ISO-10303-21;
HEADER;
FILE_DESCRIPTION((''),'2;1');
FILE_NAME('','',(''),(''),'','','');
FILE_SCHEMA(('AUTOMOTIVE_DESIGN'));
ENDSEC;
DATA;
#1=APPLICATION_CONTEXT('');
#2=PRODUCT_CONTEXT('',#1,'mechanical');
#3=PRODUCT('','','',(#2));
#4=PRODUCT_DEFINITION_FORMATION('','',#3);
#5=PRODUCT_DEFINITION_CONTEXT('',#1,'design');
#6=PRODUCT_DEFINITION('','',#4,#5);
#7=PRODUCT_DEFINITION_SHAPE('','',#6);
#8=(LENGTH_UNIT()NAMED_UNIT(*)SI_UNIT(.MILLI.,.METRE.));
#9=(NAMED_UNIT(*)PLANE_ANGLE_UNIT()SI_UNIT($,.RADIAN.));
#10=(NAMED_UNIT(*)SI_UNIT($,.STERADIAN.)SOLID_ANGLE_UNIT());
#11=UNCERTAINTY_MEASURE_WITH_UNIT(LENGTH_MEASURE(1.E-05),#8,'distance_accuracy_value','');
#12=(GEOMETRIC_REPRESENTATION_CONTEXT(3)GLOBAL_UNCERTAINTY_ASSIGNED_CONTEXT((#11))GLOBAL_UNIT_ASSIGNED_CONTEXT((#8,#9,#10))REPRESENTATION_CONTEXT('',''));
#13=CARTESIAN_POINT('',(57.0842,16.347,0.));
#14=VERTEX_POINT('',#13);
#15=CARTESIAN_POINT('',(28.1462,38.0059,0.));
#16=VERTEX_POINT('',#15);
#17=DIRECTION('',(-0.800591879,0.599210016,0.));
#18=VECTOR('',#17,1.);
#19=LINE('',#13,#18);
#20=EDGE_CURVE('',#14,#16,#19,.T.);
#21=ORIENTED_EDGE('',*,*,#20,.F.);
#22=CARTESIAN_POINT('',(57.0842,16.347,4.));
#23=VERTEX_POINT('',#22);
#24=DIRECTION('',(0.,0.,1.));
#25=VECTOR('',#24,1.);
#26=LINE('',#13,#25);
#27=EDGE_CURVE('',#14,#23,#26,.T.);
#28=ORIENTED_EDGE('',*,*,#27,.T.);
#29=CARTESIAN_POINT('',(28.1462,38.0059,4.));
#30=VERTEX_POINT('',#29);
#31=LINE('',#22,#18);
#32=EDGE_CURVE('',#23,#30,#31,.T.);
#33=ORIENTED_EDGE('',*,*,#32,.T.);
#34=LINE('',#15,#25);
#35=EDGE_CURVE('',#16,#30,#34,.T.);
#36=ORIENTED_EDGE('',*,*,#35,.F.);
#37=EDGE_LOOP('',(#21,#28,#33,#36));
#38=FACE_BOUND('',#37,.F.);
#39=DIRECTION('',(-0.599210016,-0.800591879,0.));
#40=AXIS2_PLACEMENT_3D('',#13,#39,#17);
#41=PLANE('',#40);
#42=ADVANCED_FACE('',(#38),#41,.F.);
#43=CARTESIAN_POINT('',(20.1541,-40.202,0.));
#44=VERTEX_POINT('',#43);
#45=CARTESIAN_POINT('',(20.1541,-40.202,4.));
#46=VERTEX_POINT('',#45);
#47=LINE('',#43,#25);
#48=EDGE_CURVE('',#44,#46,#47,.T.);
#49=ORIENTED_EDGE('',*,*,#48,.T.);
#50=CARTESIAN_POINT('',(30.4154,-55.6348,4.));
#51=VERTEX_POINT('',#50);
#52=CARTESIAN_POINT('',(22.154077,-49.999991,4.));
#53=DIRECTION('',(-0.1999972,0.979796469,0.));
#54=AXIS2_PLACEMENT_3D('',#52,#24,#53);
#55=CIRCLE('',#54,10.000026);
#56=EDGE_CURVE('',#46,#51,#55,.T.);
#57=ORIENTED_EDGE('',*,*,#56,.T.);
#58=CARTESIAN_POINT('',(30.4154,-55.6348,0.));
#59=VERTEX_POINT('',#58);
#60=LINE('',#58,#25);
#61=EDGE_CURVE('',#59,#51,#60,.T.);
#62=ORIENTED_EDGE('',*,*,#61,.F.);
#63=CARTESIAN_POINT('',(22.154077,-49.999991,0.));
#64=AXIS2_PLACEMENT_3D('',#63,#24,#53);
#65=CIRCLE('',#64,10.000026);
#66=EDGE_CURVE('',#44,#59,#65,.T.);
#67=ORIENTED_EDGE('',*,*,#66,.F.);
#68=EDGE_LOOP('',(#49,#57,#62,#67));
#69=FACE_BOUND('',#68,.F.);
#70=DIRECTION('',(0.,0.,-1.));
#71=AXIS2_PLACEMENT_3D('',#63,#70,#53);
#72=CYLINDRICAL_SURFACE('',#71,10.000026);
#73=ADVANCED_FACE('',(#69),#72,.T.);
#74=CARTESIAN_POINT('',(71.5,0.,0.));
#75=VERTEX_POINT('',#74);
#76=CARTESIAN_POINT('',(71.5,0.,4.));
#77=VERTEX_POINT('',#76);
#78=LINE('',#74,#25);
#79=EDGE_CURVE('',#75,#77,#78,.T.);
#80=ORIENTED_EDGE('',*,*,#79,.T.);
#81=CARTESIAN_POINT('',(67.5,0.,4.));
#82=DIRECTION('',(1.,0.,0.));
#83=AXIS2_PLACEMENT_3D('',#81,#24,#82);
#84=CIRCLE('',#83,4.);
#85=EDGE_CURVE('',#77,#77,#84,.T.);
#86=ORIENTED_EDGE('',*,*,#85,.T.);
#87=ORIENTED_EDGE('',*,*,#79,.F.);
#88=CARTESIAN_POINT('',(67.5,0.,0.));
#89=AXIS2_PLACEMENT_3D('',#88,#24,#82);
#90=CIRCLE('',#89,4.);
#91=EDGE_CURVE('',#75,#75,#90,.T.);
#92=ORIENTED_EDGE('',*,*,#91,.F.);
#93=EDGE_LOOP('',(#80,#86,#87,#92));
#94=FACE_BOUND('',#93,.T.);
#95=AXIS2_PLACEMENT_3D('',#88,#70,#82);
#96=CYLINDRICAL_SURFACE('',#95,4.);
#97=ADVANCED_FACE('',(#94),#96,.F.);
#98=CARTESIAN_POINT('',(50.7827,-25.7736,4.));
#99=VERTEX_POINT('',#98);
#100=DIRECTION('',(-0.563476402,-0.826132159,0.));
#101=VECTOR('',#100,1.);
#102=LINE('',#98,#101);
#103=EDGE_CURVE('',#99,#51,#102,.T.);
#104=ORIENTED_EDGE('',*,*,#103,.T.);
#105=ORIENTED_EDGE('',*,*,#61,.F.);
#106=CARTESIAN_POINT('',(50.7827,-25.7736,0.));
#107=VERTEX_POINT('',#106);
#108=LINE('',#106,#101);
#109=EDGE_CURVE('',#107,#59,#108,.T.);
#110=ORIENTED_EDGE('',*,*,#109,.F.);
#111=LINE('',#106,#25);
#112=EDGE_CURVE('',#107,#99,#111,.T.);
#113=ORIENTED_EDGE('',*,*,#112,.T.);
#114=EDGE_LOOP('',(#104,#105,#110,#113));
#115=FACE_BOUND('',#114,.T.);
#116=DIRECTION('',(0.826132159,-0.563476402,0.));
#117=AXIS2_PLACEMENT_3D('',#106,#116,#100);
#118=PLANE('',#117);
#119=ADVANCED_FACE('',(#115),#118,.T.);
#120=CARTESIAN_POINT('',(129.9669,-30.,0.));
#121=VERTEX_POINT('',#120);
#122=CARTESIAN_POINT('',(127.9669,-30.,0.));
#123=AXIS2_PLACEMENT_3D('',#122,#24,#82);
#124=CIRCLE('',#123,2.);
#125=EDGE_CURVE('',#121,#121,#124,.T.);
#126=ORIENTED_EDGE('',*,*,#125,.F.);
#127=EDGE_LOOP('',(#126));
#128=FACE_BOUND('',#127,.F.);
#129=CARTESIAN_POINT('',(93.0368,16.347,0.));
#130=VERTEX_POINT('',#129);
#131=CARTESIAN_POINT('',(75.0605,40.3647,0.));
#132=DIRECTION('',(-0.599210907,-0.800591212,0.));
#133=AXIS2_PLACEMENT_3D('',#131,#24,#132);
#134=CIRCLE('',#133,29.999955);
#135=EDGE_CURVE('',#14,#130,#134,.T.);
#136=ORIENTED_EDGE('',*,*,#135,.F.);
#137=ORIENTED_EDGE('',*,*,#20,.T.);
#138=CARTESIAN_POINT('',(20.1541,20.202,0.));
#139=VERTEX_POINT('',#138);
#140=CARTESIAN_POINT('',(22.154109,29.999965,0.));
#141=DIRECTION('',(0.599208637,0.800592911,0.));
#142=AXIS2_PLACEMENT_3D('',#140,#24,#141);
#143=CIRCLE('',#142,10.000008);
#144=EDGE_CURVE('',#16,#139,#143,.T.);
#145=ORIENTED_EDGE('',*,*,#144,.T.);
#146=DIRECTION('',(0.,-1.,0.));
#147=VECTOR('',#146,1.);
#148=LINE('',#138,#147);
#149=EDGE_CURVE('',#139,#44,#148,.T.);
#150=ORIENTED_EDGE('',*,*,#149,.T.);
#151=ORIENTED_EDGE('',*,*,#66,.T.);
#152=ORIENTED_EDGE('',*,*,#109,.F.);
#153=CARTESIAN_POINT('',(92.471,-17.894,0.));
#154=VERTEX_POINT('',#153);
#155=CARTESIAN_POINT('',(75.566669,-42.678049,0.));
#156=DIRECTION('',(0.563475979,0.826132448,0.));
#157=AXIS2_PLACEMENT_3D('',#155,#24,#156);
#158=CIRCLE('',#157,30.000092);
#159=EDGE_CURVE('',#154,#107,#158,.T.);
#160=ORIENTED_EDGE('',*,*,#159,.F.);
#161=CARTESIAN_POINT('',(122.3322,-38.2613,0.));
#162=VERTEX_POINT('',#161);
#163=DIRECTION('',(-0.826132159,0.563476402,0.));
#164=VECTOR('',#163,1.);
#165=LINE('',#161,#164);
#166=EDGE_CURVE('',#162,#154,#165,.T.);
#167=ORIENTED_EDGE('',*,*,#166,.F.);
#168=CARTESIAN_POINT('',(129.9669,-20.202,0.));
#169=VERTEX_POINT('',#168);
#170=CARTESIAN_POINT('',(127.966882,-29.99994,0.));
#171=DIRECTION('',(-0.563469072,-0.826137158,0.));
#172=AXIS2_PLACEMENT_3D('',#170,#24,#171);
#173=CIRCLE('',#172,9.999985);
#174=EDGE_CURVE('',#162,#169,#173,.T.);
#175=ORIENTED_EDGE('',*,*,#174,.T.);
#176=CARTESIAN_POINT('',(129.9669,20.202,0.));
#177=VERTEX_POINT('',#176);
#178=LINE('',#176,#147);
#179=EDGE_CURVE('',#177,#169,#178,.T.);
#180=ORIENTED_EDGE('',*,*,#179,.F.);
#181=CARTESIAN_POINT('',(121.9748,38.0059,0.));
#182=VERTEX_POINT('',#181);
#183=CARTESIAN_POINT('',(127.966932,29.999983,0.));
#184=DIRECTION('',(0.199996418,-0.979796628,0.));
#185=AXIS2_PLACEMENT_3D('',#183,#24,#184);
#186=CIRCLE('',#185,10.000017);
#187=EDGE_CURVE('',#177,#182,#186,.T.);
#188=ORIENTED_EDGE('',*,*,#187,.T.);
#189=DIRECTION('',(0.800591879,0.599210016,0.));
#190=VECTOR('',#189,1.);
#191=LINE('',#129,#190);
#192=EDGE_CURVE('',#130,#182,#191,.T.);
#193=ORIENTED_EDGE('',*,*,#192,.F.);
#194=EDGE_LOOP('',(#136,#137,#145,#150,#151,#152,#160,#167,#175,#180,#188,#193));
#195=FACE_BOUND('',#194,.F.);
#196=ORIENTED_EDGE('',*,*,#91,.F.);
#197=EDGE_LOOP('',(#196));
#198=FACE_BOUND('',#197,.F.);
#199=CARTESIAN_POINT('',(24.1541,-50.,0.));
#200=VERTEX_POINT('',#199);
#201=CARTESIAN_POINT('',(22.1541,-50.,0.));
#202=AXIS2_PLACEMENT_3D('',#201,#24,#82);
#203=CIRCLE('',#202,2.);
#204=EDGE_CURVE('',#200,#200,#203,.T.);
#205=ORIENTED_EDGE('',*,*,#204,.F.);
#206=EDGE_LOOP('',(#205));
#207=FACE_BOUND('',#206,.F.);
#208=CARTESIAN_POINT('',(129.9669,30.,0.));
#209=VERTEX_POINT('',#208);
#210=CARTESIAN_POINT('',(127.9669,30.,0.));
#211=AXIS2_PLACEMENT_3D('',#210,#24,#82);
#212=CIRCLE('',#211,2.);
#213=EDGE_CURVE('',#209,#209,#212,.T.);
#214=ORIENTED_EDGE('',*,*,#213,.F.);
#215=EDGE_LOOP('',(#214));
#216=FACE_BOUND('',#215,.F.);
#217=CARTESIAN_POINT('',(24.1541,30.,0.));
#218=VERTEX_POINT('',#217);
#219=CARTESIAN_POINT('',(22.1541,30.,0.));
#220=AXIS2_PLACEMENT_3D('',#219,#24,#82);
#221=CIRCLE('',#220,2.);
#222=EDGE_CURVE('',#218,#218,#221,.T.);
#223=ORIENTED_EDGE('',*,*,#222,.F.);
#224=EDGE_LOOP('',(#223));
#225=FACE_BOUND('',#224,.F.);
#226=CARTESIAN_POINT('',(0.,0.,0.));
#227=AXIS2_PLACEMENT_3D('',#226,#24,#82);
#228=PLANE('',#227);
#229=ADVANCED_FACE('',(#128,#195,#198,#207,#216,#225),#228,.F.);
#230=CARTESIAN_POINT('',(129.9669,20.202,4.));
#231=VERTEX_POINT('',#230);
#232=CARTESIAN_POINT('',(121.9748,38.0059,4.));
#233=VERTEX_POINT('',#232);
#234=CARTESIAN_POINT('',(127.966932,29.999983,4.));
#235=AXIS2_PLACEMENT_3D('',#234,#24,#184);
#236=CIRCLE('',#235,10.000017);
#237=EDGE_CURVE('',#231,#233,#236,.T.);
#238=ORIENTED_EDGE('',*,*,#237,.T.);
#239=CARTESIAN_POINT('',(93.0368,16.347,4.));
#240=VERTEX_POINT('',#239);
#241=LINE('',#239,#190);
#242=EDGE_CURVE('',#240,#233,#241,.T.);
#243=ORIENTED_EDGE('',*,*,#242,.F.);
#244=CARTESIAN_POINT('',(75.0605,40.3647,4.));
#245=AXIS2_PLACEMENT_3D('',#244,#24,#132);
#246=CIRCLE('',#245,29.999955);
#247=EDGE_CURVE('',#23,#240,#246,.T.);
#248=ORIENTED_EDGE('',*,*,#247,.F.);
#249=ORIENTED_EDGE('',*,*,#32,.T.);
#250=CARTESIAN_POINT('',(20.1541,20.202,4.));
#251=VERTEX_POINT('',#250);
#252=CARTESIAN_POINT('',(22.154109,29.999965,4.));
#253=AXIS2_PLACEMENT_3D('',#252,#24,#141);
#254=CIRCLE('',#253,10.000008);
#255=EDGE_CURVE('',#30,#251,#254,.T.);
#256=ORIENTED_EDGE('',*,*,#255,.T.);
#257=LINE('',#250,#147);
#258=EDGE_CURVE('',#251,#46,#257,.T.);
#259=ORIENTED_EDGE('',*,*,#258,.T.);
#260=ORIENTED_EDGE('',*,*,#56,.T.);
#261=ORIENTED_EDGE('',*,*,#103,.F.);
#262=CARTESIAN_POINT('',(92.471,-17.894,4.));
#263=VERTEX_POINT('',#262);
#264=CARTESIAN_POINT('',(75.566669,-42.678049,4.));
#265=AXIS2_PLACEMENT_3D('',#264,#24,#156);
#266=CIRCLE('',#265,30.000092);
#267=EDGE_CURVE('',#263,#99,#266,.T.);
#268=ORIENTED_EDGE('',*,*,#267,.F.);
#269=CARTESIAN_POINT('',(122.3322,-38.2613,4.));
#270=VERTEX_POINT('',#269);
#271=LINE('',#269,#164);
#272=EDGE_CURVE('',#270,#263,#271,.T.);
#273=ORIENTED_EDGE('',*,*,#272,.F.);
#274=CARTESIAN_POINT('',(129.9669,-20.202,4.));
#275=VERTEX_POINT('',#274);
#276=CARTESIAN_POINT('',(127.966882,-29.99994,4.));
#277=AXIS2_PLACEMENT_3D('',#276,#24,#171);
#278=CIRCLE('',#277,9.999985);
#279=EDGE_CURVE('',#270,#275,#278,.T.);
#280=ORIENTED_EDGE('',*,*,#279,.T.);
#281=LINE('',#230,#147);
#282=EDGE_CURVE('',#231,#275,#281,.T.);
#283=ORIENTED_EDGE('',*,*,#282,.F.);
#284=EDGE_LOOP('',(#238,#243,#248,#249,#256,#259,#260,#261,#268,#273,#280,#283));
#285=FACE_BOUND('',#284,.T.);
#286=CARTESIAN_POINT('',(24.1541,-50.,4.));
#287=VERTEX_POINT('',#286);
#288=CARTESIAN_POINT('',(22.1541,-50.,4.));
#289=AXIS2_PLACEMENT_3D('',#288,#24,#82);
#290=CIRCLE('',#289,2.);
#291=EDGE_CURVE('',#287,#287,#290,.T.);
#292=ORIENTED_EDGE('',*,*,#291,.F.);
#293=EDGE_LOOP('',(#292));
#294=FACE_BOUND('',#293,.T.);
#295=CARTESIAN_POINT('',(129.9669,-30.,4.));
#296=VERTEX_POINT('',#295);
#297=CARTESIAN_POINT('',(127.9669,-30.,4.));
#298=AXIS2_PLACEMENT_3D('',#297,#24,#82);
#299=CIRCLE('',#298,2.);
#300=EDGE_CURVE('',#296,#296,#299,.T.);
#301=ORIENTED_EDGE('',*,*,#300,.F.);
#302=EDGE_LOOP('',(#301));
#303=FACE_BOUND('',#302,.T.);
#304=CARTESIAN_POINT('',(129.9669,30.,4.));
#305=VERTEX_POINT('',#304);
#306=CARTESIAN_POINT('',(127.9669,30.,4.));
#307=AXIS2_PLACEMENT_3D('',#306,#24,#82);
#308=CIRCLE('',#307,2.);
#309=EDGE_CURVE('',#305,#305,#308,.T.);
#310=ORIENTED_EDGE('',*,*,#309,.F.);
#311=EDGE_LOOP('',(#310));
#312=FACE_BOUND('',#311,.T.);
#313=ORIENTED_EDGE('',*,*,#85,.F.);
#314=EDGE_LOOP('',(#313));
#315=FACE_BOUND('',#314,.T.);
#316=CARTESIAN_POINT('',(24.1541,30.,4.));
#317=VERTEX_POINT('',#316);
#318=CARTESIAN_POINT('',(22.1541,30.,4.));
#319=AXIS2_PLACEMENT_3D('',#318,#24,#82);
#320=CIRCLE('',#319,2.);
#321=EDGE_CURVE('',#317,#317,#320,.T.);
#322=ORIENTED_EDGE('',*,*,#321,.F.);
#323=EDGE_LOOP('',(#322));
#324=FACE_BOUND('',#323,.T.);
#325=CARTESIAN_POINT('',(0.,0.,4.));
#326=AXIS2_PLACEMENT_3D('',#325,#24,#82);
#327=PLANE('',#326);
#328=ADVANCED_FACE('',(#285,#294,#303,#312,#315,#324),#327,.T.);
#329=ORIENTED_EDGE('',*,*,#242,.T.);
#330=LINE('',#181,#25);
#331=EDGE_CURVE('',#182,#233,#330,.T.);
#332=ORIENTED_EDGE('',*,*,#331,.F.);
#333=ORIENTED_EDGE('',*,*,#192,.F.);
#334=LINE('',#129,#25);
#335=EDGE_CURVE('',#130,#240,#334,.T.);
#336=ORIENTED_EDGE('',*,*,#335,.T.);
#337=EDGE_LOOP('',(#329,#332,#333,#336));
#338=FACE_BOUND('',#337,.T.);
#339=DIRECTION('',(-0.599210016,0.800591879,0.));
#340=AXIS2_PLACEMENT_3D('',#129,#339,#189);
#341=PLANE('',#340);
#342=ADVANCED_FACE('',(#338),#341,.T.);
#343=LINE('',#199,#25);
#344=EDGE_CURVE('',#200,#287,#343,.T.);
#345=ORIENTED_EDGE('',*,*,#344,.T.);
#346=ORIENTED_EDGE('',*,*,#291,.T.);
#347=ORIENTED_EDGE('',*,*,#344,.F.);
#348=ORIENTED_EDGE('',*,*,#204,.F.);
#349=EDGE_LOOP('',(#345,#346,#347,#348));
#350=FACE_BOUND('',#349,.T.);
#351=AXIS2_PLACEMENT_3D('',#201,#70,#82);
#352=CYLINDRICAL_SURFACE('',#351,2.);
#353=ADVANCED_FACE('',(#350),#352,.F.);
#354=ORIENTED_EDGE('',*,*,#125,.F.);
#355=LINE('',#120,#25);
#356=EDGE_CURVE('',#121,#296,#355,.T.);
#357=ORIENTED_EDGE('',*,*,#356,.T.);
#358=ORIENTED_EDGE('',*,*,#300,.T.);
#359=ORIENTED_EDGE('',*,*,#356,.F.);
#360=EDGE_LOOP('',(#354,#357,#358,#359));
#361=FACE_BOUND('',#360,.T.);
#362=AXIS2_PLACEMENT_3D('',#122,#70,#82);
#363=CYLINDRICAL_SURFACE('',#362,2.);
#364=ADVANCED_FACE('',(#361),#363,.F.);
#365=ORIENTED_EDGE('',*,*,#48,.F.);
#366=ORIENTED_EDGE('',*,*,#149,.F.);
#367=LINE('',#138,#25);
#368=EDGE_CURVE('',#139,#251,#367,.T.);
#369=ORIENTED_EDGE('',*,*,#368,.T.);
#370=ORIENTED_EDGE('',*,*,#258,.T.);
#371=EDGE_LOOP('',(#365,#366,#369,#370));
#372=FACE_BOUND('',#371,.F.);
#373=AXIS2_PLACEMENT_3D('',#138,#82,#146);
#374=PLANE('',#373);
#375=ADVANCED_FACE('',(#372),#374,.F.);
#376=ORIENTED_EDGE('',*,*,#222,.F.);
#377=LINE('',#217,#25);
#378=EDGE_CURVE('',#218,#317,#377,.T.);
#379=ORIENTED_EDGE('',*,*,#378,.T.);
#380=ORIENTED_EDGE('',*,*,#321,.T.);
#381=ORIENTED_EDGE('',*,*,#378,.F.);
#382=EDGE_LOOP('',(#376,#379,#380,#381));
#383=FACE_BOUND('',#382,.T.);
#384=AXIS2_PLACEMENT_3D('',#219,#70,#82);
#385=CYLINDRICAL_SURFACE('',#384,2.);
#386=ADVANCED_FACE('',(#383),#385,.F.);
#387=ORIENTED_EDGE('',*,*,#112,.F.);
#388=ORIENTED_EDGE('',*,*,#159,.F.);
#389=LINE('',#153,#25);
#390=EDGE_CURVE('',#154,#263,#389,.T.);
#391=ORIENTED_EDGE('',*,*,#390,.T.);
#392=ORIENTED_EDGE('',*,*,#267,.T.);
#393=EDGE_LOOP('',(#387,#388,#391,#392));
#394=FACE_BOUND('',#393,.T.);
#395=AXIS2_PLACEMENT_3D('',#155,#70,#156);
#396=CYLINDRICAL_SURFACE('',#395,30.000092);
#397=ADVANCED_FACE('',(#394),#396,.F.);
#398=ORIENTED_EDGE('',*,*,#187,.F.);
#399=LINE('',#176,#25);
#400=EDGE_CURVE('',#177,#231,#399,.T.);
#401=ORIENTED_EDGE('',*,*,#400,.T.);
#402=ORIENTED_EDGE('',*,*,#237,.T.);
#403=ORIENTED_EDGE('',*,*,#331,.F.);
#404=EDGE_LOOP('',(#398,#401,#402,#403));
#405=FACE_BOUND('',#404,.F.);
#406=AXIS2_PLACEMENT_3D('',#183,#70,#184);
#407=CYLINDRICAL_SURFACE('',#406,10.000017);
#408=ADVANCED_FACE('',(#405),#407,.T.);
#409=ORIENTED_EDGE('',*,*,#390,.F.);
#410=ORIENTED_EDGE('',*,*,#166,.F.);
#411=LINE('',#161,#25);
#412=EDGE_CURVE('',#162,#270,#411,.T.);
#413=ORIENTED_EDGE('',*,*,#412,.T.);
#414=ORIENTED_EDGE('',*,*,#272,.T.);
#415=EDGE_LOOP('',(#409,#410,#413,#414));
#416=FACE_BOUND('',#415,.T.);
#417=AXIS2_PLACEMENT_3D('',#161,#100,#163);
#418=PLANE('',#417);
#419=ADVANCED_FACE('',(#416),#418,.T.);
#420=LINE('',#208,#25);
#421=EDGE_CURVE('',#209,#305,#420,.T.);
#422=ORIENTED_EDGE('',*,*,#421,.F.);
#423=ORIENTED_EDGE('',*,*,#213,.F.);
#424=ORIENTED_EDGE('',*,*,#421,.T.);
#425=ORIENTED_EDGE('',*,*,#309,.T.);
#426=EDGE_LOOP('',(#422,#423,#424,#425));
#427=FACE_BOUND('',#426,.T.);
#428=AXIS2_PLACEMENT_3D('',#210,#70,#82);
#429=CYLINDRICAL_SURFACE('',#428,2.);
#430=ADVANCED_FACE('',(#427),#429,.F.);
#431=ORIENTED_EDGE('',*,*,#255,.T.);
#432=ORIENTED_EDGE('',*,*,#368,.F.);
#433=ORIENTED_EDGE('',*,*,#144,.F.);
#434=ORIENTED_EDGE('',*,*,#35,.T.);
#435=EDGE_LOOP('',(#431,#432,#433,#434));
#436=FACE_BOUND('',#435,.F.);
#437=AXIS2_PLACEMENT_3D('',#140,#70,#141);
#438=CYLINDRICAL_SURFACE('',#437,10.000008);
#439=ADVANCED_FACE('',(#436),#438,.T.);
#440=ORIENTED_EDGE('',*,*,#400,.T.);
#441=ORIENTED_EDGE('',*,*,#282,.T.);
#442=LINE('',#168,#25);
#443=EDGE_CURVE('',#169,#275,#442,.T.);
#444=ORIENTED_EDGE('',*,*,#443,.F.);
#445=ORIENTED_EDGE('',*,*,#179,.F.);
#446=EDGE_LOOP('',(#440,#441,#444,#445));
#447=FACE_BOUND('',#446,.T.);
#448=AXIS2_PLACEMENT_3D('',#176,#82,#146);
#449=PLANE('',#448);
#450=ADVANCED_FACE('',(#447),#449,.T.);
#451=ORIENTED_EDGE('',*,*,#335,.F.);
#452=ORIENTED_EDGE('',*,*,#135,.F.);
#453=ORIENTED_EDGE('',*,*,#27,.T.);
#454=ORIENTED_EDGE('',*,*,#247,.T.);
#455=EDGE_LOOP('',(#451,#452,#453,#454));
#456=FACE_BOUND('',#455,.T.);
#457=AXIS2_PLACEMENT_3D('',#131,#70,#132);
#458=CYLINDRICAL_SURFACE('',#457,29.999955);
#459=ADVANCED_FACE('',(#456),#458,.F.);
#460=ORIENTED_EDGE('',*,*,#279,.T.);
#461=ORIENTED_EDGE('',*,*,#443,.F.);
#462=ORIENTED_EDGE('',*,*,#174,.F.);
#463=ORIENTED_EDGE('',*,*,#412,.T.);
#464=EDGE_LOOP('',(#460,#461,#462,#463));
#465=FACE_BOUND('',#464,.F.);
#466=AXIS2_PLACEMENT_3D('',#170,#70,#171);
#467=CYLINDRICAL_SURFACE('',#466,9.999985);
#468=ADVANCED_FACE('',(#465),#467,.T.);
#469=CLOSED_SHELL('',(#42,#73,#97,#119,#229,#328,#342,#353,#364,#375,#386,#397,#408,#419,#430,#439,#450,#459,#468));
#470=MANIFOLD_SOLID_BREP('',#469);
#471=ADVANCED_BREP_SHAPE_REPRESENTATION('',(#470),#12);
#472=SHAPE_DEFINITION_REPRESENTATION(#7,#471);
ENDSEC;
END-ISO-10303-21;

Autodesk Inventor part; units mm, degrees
ref_plane "YZ Plane" through (0, 0, 0) normal (1, 0, 0) x (0, 1, 0)
ref_plane "XZ Plane" through (0, 0, 0) normal (0, 1, 0) x (-1, 0, 0)
ref_plane "XY Plane" through (0, 0, 0) normal (0, 0, 1) x (1, 0, 0)
sketch "Boceto1" plane through (0, 0, 0) normal (0, 0, 1) x (1, 0, 0)
  circle A0 centre (22.1541, -50) radius 2 projected
  circle A1 centre (127.9669, -30) radius 2 projected
  circle A2 centre (127.9669, 30) radius 2 projected
  line L0 (93.0368, 16.347) -> (121.9748, 38.0059)
  arc A3 (129.9669, 20.202) -> (121.9748, 38.0059) centre (127.9669, 30) ccw
  line L1 (129.9669, 20.202) -> (129.9669, -20.202)
  arc A4 (122.3322, -38.2613) -> (129.9669, -20.202) centre (127.9669, -30) ccw
  line L2 (122.3322, -38.2613) -> (92.471, -17.894)
  line L3 (50.7827, -25.7736) -> (30.4154, -55.6348)
  arc A5 (20.1541, -40.202) -> (30.4154, -55.6348) centre (22.1541, -50) ccw
  circle A6 centre (67.5, 0) radius 4 projected
  arc A7 (92.471, -17.894) -> (50.7827, -25.7736) centre (75.5667, -42.6779) ccw
  circle A8 centre (22.1541, 30) radius 2
  arc A9 (57.0842, 16.347) -> (93.0368, 16.347) centre (75.0605, 40.3647) ccw
  line L4 (57.0842, 16.347) -> (28.1462, 38.0059)
  arc A10 (28.1462, 38.0059) -> (20.1541, 20.202) centre (22.1541, 30) ccw
  line L5 (20.1541, 20.202) -> (20.1541, -40.202)
  point P0 (0, 0)
  point P1 (67.6871, -0.9897)
  dimension "d0" = 10
  dimension "d1" = 8
  dimension "d4" = 10
  dimension "d5" = 30
  dimension "d6" = 8
  dimension "d7" = 90
extrude "Extrusión1" add sketch "Boceto1" along normal blind 4
equation "\"d4\" = d0"
equation "\"d6\" = d1"
properties part number "Protector"
